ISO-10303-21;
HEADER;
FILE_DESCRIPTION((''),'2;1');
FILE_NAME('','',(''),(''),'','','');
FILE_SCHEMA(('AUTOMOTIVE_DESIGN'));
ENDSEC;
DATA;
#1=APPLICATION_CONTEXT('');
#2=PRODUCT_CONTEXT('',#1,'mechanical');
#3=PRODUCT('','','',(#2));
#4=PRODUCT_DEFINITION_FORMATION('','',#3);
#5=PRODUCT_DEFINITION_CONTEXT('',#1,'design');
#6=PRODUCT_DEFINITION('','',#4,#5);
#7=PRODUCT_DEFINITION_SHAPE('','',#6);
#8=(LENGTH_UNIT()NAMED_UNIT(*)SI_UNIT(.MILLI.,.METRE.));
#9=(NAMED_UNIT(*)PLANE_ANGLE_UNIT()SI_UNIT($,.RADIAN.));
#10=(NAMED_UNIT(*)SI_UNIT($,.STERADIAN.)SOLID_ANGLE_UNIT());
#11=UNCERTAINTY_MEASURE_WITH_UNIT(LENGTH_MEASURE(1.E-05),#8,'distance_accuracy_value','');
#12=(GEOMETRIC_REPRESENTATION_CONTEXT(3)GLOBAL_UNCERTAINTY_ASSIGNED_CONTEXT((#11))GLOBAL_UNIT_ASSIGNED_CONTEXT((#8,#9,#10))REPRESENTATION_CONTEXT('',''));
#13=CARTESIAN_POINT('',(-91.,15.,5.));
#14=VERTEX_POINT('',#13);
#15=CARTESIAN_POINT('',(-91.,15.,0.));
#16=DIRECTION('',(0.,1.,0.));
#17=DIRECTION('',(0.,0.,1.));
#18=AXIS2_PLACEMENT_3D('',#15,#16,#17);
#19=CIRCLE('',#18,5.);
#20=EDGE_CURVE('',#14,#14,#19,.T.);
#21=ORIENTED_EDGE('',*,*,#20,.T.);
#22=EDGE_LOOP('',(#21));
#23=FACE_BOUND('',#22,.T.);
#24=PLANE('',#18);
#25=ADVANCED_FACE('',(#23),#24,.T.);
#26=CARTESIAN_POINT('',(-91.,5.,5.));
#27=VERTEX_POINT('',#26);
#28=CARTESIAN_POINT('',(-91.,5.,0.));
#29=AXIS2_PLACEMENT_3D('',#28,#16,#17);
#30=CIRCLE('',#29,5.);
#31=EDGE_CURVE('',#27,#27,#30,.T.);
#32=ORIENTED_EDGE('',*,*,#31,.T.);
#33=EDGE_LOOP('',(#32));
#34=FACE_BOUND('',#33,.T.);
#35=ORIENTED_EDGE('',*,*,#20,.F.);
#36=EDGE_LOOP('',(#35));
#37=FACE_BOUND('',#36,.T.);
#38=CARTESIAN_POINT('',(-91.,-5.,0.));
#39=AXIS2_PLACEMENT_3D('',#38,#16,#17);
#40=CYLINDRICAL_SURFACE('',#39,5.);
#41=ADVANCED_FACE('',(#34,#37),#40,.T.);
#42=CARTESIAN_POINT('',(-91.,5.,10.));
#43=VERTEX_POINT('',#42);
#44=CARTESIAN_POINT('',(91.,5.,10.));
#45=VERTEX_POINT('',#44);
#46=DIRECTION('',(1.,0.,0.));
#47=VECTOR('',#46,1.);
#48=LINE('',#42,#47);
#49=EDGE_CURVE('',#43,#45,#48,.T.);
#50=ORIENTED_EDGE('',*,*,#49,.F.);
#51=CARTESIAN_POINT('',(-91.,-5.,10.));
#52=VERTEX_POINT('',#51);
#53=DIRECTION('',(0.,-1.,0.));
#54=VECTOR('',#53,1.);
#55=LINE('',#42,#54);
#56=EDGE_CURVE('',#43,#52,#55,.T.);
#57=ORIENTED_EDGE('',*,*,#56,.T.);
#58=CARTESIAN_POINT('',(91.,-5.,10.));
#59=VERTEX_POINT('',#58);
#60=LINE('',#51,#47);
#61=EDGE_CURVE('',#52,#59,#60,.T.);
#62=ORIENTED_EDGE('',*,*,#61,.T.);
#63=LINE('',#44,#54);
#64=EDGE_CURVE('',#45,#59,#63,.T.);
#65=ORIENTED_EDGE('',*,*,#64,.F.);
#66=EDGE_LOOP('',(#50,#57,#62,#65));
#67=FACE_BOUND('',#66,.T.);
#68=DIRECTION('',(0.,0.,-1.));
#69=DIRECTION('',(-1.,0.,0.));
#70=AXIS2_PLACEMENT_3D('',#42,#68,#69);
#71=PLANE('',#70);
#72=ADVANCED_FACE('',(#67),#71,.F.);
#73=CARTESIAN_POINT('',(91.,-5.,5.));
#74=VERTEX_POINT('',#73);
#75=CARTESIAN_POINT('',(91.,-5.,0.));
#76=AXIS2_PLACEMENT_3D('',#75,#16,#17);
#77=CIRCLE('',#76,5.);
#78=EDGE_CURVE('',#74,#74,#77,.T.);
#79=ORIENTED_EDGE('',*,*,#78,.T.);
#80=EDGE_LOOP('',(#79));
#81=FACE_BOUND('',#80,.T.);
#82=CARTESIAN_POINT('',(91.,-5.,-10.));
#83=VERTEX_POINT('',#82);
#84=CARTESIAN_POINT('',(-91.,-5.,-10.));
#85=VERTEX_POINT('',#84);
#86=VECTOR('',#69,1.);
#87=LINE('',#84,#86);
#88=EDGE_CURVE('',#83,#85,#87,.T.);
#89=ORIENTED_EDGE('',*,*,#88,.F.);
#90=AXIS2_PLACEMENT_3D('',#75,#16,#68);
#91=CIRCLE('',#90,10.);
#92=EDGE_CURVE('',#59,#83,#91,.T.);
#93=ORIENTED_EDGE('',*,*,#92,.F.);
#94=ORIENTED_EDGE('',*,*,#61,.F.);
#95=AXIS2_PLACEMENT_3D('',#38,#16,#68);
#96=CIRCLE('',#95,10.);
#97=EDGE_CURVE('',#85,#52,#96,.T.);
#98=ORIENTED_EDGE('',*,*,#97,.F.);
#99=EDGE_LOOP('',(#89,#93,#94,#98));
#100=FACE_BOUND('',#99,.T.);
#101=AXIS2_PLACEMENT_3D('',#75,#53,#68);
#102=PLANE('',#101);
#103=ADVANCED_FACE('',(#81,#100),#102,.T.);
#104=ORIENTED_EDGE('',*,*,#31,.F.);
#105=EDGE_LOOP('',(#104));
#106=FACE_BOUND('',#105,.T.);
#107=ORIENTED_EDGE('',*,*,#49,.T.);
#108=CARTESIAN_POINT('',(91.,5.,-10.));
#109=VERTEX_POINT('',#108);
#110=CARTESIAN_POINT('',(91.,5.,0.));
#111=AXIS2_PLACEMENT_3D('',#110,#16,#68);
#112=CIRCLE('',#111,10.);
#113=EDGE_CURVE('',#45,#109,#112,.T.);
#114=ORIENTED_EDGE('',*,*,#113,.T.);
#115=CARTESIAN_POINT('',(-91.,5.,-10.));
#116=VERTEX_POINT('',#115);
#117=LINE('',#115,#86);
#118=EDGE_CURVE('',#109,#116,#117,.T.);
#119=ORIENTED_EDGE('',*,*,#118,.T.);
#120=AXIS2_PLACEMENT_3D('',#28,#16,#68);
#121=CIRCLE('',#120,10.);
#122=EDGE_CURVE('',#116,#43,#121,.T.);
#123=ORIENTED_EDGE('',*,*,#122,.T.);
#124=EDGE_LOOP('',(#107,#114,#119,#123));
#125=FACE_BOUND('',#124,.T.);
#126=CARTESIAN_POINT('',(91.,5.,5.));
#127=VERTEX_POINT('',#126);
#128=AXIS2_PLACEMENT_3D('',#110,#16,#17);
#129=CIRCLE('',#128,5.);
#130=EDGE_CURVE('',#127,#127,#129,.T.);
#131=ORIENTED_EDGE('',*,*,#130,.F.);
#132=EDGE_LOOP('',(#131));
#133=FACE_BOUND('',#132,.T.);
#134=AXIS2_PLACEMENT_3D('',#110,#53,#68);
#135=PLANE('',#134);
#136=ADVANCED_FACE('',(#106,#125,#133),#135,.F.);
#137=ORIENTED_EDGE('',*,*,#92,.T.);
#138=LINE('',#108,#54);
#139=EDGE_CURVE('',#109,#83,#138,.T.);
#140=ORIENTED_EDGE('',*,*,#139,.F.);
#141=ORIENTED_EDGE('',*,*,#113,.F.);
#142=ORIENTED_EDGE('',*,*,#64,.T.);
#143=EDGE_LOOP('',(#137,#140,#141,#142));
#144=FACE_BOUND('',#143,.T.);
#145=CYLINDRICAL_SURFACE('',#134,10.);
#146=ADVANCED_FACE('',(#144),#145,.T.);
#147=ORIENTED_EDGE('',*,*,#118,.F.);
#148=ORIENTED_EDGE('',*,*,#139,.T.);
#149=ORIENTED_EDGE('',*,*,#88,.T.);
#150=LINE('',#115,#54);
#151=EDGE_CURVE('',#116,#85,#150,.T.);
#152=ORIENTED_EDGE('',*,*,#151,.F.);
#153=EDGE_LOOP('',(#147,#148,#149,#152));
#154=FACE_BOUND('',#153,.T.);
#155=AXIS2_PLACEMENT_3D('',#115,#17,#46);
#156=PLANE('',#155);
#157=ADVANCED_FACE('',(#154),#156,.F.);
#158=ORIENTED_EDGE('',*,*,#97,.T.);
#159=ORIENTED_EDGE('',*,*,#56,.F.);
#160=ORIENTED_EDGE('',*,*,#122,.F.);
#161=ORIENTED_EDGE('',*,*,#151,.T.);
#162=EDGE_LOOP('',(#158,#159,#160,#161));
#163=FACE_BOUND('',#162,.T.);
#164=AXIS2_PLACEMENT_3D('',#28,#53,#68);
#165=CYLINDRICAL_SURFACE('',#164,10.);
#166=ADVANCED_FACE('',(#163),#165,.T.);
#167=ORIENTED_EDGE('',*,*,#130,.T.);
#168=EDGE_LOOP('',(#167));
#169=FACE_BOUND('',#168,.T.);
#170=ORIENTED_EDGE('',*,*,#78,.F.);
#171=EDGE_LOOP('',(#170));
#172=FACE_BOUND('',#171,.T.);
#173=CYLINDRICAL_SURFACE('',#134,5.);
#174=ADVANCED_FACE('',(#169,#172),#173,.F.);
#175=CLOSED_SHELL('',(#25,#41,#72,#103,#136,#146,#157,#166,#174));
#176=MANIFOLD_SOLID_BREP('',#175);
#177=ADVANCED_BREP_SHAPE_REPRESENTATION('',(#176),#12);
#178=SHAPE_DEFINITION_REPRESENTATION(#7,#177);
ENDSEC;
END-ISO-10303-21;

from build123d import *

# Parameters (mm, degrees)
SKETCH1_R                = 5
BOSS_EXTRUDE1_DEPTH      = 5
BOSS_EXTRUDE2_DEPTH      = 15
BOSS_EXTRUDE2_DEPTH_BACK = 5
SKETCH2_R                = 5


with BuildPart() as part:
    # Sketch1 → Boss-Extrude1 (new, symmetric)
    with BuildSketch(Plane(origin=(0, 0, 0), x_dir=(1, 0, 0), z_dir=(0, 1, 0))):
        with BuildLine():
            Line((-91, -10), (91, -10))
            ThreePointArc((91, -10), (101, 0), (91, 10))
            Line((91, 10), (-91, 10))
            ThreePointArc((-91, 10), (-101, 0), (-91, -10))
        make_face()
        with Locations(Location((-91, 0, 0), (0, 0, 270))):
            Circle(SKETCH1_R, mode=Mode.SUBTRACT)
        with Locations(Location((91, 0, 0), (0, 0, 270))):
            Circle(SKETCH1_R, mode=Mode.SUBTRACT)
    extrude(amount=BOSS_EXTRUDE1_DEPTH, both=True)

    # Sketch2 → Boss-Extrude2 (add, two sides: drawn at the far end of the back side and taken through both)
    with BuildSketch(Plane(origin=(0, 0, 0), x_dir=(1, 0, 0), z_dir=(0, 1, 0)).offset(-BOSS_EXTRUDE2_DEPTH_BACK)):
        with Locations(Location((-91, 0, 0), (0, 0, 270))):
            Circle(SKETCH2_R)
    extrude(amount=BOSS_EXTRUDE2_DEPTH + BOSS_EXTRUDE2_DEPTH_BACK)


solid = part.part
